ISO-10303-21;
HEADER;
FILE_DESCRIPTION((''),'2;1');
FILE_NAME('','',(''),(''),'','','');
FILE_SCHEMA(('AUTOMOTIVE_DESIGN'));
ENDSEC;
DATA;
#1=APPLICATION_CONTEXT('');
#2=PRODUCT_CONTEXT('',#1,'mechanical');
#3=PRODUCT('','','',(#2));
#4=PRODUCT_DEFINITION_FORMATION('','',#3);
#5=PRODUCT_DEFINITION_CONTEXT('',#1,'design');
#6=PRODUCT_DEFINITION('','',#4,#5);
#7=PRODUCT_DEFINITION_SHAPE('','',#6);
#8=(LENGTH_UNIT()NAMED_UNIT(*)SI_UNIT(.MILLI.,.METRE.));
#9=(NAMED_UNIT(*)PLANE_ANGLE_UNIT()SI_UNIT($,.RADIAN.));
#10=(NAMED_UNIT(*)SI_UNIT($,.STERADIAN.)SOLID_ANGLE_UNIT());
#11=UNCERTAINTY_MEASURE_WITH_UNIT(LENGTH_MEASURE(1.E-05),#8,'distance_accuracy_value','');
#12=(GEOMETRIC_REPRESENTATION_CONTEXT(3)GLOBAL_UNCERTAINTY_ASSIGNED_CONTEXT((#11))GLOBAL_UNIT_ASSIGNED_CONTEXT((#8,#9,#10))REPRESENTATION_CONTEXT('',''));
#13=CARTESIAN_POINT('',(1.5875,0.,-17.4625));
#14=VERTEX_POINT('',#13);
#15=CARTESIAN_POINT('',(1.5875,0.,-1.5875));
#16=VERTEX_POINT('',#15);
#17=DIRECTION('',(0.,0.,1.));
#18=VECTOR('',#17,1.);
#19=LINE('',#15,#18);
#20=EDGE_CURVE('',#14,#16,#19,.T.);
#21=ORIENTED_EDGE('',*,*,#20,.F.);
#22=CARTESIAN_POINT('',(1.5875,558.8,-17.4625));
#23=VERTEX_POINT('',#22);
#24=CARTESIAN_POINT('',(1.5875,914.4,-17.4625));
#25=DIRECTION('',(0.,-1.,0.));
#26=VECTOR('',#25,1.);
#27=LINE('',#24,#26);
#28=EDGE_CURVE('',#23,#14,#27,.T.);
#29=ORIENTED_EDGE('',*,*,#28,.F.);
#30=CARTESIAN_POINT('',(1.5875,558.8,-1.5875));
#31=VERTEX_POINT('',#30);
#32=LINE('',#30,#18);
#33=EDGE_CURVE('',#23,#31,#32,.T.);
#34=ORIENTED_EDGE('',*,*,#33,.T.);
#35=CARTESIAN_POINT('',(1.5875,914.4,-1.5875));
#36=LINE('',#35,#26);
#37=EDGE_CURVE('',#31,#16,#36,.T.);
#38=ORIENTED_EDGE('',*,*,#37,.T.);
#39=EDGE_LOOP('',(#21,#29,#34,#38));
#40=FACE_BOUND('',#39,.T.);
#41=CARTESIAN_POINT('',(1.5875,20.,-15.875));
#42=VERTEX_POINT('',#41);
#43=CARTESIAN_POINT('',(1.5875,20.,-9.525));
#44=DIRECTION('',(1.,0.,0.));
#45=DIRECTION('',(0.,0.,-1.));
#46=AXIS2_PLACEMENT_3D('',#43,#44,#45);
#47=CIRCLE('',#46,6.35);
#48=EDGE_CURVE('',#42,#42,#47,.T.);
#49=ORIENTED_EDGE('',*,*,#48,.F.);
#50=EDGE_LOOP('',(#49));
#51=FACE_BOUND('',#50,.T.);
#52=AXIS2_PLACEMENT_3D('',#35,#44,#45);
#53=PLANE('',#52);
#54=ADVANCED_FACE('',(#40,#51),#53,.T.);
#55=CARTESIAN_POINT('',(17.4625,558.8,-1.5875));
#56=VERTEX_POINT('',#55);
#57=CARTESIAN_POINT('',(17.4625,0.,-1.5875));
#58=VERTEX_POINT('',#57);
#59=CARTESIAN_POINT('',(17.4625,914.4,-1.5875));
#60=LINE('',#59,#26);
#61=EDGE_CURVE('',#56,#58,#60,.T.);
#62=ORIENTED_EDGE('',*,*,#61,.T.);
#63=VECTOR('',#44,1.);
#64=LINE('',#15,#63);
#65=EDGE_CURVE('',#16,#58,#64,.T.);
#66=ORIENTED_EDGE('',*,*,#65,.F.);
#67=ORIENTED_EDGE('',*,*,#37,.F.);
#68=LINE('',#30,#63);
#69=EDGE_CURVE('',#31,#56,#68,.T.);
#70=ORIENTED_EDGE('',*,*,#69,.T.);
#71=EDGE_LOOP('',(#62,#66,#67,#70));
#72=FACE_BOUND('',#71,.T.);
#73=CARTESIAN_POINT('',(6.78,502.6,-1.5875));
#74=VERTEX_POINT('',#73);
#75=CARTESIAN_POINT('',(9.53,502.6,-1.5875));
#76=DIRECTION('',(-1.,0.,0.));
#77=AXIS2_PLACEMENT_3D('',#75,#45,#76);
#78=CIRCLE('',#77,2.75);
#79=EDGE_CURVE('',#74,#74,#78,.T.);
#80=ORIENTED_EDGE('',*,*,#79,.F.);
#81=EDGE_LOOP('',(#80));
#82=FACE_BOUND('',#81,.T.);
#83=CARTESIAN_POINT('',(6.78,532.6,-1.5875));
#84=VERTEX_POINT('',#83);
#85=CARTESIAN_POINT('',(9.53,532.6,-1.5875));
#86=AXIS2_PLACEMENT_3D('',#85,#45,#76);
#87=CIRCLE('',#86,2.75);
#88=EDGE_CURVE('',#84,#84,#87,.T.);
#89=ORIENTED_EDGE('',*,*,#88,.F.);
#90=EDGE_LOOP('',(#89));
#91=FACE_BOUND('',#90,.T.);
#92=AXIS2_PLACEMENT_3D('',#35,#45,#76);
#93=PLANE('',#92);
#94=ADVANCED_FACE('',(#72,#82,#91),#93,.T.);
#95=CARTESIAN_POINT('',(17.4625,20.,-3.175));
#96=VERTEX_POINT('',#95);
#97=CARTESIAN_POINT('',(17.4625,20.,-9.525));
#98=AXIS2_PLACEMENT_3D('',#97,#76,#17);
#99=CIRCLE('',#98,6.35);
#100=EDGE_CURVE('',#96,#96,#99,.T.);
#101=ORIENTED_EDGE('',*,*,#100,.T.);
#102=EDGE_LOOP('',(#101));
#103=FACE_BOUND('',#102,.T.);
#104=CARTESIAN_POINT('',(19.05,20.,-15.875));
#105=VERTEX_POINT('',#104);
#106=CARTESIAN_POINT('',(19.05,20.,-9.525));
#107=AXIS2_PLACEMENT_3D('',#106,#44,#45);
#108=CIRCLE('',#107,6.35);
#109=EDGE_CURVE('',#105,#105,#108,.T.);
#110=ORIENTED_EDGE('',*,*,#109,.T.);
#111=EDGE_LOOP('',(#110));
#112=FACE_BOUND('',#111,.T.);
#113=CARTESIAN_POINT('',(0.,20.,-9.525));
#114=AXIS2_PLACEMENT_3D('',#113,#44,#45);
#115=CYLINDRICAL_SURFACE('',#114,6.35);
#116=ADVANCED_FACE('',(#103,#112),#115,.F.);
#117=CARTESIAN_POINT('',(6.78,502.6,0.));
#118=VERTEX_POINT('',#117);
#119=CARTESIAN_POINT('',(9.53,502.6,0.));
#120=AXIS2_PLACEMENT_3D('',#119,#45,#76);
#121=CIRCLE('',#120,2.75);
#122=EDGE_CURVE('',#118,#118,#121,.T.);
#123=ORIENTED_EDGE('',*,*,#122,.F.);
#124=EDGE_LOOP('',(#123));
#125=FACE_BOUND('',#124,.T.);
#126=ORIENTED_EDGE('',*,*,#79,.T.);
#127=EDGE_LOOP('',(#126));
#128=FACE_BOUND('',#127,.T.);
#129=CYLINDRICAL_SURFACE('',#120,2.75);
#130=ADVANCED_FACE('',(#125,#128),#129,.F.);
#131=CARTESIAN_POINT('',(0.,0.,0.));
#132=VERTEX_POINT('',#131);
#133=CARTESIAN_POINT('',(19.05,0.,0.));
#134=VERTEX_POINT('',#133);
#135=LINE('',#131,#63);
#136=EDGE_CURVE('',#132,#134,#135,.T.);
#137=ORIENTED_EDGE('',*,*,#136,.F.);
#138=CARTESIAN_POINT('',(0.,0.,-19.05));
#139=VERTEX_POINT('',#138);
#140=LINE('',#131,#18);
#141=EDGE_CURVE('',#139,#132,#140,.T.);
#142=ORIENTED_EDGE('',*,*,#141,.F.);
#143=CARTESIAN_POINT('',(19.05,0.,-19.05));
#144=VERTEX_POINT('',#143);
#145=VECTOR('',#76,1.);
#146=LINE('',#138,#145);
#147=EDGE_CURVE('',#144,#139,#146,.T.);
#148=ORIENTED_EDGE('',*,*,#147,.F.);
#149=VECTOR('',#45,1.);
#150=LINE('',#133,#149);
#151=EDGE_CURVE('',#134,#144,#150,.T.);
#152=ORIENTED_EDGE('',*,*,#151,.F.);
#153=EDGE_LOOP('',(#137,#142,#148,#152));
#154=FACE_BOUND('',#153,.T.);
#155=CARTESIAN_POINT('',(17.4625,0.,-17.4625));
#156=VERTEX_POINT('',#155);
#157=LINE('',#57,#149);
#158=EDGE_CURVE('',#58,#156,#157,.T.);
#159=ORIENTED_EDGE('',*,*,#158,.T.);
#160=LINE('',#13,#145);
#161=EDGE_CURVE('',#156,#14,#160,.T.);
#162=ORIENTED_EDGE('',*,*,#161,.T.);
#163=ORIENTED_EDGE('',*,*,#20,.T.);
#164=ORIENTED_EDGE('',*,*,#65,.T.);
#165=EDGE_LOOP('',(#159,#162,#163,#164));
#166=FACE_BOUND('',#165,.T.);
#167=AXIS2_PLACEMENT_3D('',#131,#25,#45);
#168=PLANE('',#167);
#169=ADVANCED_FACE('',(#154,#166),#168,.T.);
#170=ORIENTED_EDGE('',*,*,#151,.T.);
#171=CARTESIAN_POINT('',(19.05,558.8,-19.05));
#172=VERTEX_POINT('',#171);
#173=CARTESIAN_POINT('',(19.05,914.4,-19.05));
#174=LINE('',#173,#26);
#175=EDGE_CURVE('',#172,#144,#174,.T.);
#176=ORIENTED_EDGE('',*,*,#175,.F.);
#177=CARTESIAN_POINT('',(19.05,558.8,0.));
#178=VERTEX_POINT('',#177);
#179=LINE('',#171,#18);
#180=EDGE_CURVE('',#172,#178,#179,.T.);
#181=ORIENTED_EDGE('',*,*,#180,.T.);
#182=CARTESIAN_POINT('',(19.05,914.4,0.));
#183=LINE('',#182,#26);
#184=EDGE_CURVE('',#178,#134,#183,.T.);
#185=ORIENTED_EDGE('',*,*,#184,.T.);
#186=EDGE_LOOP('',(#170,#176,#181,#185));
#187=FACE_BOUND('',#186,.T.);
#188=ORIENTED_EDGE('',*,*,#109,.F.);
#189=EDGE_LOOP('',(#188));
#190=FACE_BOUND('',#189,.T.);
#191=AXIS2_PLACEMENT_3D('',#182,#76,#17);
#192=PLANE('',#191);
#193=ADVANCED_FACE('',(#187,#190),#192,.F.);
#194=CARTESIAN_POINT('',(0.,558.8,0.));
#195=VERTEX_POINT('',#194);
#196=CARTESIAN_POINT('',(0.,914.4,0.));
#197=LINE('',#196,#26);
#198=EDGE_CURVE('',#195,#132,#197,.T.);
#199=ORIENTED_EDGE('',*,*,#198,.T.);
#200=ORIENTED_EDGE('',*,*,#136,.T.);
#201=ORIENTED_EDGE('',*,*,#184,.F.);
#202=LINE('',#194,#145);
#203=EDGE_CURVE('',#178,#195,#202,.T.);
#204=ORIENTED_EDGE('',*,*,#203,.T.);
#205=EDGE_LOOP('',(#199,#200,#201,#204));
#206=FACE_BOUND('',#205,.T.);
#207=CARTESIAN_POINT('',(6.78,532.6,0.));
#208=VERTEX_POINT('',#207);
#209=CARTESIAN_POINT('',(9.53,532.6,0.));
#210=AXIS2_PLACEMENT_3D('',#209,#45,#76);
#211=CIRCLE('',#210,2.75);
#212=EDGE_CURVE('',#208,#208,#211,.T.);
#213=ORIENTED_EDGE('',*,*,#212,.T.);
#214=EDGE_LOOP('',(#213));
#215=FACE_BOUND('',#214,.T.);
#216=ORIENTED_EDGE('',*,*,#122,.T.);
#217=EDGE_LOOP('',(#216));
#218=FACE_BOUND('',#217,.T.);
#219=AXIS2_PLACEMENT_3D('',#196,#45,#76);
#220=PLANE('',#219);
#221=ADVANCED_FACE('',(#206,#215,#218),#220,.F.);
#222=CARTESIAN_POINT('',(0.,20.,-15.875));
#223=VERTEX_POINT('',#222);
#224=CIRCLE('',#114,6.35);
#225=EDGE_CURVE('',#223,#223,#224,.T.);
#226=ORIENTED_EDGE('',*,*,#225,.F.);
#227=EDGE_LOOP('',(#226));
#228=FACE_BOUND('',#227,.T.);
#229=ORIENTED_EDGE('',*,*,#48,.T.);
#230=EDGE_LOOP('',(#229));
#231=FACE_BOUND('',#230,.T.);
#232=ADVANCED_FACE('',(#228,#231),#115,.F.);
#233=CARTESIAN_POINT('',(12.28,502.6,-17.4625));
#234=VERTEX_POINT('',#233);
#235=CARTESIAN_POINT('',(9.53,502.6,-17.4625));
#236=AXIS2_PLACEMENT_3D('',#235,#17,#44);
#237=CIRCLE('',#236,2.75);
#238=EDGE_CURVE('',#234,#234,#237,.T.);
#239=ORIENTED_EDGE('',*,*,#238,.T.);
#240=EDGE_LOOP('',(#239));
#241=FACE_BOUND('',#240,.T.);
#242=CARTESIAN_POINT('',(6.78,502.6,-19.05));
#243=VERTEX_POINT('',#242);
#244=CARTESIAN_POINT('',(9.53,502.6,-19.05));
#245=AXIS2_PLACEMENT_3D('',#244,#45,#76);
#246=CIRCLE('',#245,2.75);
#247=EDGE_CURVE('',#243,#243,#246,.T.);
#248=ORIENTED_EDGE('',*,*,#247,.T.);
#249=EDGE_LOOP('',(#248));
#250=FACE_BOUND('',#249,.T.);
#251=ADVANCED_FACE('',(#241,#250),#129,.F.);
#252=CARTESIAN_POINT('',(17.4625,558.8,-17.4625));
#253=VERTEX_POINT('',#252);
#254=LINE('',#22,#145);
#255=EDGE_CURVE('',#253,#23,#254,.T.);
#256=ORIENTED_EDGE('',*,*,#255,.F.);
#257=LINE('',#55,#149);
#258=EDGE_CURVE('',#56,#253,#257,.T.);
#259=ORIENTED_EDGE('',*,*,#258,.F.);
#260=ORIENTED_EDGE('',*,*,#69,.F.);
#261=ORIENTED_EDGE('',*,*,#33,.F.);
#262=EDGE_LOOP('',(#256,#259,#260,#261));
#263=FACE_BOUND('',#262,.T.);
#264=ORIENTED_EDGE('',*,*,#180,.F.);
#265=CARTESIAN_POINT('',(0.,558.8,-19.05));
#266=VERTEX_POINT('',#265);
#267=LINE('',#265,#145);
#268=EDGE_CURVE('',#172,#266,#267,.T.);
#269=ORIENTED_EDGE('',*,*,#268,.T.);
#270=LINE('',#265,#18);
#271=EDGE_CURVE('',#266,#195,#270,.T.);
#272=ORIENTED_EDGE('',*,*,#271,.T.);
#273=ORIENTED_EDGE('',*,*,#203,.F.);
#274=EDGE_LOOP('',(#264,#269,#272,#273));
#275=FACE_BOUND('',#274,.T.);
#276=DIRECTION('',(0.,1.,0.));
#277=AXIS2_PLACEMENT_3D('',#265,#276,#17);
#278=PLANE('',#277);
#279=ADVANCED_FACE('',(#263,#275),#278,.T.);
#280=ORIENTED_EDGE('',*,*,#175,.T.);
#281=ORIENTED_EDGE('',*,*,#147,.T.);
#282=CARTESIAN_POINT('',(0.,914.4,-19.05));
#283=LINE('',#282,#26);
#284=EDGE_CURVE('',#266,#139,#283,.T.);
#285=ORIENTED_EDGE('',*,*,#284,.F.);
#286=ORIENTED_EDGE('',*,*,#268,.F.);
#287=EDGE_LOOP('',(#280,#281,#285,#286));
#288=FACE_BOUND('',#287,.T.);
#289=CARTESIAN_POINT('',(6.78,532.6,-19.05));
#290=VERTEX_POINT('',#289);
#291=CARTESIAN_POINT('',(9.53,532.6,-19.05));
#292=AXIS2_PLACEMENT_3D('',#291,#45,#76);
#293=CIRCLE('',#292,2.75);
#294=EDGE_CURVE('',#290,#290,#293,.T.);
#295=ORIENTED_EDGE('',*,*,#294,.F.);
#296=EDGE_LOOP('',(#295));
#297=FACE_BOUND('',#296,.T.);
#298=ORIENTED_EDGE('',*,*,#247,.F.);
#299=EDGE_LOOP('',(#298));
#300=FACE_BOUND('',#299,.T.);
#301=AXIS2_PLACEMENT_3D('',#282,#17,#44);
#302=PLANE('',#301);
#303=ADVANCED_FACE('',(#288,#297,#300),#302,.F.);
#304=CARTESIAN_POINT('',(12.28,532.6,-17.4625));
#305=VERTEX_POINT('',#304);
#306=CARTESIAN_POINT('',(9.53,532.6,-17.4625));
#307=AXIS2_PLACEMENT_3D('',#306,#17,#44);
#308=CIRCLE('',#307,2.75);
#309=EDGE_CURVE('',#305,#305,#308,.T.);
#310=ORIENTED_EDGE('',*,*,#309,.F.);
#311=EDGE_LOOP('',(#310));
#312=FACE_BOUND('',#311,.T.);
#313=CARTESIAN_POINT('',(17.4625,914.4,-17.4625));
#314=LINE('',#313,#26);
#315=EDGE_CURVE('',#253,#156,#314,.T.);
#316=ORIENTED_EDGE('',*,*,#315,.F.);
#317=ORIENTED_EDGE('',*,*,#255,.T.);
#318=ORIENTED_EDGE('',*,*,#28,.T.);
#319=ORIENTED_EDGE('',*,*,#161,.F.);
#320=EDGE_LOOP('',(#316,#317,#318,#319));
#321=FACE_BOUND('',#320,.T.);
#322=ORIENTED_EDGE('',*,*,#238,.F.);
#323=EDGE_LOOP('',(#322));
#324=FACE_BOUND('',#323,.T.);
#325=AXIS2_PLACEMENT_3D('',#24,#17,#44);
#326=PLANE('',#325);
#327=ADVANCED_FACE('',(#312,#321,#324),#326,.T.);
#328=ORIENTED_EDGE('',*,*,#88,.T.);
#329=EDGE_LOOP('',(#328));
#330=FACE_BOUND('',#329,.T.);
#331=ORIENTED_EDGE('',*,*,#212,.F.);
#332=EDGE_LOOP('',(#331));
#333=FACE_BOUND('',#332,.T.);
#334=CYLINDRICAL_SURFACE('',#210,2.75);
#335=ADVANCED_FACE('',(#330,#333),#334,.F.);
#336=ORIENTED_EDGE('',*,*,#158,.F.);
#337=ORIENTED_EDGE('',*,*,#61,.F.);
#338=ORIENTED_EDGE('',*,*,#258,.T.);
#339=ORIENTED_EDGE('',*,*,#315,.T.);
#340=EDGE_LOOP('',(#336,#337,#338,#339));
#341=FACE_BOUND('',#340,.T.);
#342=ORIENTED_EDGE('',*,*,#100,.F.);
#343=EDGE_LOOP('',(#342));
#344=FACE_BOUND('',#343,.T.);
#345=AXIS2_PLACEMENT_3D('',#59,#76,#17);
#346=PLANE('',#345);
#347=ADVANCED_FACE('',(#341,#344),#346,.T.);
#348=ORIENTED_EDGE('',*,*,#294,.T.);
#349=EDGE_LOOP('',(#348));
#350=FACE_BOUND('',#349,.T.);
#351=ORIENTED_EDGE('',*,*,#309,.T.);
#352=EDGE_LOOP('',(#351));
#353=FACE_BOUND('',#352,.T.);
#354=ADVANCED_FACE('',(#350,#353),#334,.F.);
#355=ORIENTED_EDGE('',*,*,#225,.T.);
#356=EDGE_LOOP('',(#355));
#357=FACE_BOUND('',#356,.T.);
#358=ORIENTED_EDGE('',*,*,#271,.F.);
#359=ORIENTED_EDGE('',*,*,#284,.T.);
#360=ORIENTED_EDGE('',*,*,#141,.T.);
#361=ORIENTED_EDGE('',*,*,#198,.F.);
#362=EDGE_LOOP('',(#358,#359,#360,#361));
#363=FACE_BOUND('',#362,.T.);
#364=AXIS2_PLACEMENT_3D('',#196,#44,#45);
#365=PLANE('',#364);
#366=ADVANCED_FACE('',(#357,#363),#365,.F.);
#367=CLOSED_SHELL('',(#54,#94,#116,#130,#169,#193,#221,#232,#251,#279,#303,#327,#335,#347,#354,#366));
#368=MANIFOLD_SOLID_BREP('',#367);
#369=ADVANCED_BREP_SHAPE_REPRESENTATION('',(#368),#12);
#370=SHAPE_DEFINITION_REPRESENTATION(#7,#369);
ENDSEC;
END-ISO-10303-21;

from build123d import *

# Parameters (mm, degrees)
SKETCH1_W           = 19.05
SKETCH1_H           = 19.05
SKETCH1_W_2         = 15.875
SKETCH1_H_2         = 15.875
BOSS_EXTRUDE1_DEPTH = 914.4
SKETCH4_R           = 6.35
CUT_EXTRUDE3_DEPTH  = 20.05
SKETCH5_OUTSIDE_W   = 204.01
SKETCH5_OUTSIDE_H   = 1099.36
SKETCH5_OUTSIDE_W_2 = 19.05
SKETCH5_OUTSIDE_H_2 = 558.8
CUT_EXTRUDE4_DEPTH  = 20.05
SKETCH6_R           = 2.75
CUT_EXTRUDE5_DEPTH  = 20.05


with BuildPart() as part:
    # Sketch1 → Boss-Extrude1 (new body)
    with BuildSketch(Plane(origin=(0, 0, 0), x_dir=(1, 0, 0), z_dir=(0, 1, 0))):
        with Locations((9.525, 9.525)):
            Rectangle(SKETCH1_W, SKETCH1_H)
        with Locations((9.525, 9.525)):
            Rectangle(SKETCH1_W_2, SKETCH1_H_2, mode=Mode.SUBTRACT)
    extrude(amount=BOSS_EXTRUDE1_DEPTH)

    # Sketch4 → Cut-Extrude3 (cut, through all)
    with BuildSketch(Plane(origin=(19.05, 0, 0), x_dir=(0, 0, -1), z_dir=(1, 0, 0))):
        with Locations((9.525, 20)):
            Circle(SKETCH4_R)
    extrude(amount=-CUT_EXTRUDE3_DEPTH, mode=Mode.SUBTRACT)

    # Sketch5 outside → Cut-Extrude4 (cut, through all)
    with BuildSketch(Plane.XY):
        with Locations((9.525, 457.2)):
            Rectangle(SKETCH5_OUTSIDE_W, SKETCH5_OUTSIDE_H)
        with Locations((9.525, 279.4)):
            Rectangle(SKETCH5_OUTSIDE_W_2, SKETCH5_OUTSIDE_H_2, mode=Mode.SUBTRACT)
    extrude(amount=-CUT_EXTRUDE4_DEPTH, mode=Mode.SUBTRACT)

    # Sketch6 → Cut-Extrude5 (cut, through all)
    with BuildSketch(Plane(origin=(0, 0, -19.05), x_dir=(-1, 0, 0), z_dir=(0, 0, -1))):
        with Locations((-9.53, 532.6)):
            Circle(SKETCH6_R)
        with Locations((-9.53, 502.6)):
            Circle(SKETCH6_R)
    extrude(amount=-CUT_EXTRUDE5_DEPTH, mode=Mode.SUBTRACT)


solid = part.part
